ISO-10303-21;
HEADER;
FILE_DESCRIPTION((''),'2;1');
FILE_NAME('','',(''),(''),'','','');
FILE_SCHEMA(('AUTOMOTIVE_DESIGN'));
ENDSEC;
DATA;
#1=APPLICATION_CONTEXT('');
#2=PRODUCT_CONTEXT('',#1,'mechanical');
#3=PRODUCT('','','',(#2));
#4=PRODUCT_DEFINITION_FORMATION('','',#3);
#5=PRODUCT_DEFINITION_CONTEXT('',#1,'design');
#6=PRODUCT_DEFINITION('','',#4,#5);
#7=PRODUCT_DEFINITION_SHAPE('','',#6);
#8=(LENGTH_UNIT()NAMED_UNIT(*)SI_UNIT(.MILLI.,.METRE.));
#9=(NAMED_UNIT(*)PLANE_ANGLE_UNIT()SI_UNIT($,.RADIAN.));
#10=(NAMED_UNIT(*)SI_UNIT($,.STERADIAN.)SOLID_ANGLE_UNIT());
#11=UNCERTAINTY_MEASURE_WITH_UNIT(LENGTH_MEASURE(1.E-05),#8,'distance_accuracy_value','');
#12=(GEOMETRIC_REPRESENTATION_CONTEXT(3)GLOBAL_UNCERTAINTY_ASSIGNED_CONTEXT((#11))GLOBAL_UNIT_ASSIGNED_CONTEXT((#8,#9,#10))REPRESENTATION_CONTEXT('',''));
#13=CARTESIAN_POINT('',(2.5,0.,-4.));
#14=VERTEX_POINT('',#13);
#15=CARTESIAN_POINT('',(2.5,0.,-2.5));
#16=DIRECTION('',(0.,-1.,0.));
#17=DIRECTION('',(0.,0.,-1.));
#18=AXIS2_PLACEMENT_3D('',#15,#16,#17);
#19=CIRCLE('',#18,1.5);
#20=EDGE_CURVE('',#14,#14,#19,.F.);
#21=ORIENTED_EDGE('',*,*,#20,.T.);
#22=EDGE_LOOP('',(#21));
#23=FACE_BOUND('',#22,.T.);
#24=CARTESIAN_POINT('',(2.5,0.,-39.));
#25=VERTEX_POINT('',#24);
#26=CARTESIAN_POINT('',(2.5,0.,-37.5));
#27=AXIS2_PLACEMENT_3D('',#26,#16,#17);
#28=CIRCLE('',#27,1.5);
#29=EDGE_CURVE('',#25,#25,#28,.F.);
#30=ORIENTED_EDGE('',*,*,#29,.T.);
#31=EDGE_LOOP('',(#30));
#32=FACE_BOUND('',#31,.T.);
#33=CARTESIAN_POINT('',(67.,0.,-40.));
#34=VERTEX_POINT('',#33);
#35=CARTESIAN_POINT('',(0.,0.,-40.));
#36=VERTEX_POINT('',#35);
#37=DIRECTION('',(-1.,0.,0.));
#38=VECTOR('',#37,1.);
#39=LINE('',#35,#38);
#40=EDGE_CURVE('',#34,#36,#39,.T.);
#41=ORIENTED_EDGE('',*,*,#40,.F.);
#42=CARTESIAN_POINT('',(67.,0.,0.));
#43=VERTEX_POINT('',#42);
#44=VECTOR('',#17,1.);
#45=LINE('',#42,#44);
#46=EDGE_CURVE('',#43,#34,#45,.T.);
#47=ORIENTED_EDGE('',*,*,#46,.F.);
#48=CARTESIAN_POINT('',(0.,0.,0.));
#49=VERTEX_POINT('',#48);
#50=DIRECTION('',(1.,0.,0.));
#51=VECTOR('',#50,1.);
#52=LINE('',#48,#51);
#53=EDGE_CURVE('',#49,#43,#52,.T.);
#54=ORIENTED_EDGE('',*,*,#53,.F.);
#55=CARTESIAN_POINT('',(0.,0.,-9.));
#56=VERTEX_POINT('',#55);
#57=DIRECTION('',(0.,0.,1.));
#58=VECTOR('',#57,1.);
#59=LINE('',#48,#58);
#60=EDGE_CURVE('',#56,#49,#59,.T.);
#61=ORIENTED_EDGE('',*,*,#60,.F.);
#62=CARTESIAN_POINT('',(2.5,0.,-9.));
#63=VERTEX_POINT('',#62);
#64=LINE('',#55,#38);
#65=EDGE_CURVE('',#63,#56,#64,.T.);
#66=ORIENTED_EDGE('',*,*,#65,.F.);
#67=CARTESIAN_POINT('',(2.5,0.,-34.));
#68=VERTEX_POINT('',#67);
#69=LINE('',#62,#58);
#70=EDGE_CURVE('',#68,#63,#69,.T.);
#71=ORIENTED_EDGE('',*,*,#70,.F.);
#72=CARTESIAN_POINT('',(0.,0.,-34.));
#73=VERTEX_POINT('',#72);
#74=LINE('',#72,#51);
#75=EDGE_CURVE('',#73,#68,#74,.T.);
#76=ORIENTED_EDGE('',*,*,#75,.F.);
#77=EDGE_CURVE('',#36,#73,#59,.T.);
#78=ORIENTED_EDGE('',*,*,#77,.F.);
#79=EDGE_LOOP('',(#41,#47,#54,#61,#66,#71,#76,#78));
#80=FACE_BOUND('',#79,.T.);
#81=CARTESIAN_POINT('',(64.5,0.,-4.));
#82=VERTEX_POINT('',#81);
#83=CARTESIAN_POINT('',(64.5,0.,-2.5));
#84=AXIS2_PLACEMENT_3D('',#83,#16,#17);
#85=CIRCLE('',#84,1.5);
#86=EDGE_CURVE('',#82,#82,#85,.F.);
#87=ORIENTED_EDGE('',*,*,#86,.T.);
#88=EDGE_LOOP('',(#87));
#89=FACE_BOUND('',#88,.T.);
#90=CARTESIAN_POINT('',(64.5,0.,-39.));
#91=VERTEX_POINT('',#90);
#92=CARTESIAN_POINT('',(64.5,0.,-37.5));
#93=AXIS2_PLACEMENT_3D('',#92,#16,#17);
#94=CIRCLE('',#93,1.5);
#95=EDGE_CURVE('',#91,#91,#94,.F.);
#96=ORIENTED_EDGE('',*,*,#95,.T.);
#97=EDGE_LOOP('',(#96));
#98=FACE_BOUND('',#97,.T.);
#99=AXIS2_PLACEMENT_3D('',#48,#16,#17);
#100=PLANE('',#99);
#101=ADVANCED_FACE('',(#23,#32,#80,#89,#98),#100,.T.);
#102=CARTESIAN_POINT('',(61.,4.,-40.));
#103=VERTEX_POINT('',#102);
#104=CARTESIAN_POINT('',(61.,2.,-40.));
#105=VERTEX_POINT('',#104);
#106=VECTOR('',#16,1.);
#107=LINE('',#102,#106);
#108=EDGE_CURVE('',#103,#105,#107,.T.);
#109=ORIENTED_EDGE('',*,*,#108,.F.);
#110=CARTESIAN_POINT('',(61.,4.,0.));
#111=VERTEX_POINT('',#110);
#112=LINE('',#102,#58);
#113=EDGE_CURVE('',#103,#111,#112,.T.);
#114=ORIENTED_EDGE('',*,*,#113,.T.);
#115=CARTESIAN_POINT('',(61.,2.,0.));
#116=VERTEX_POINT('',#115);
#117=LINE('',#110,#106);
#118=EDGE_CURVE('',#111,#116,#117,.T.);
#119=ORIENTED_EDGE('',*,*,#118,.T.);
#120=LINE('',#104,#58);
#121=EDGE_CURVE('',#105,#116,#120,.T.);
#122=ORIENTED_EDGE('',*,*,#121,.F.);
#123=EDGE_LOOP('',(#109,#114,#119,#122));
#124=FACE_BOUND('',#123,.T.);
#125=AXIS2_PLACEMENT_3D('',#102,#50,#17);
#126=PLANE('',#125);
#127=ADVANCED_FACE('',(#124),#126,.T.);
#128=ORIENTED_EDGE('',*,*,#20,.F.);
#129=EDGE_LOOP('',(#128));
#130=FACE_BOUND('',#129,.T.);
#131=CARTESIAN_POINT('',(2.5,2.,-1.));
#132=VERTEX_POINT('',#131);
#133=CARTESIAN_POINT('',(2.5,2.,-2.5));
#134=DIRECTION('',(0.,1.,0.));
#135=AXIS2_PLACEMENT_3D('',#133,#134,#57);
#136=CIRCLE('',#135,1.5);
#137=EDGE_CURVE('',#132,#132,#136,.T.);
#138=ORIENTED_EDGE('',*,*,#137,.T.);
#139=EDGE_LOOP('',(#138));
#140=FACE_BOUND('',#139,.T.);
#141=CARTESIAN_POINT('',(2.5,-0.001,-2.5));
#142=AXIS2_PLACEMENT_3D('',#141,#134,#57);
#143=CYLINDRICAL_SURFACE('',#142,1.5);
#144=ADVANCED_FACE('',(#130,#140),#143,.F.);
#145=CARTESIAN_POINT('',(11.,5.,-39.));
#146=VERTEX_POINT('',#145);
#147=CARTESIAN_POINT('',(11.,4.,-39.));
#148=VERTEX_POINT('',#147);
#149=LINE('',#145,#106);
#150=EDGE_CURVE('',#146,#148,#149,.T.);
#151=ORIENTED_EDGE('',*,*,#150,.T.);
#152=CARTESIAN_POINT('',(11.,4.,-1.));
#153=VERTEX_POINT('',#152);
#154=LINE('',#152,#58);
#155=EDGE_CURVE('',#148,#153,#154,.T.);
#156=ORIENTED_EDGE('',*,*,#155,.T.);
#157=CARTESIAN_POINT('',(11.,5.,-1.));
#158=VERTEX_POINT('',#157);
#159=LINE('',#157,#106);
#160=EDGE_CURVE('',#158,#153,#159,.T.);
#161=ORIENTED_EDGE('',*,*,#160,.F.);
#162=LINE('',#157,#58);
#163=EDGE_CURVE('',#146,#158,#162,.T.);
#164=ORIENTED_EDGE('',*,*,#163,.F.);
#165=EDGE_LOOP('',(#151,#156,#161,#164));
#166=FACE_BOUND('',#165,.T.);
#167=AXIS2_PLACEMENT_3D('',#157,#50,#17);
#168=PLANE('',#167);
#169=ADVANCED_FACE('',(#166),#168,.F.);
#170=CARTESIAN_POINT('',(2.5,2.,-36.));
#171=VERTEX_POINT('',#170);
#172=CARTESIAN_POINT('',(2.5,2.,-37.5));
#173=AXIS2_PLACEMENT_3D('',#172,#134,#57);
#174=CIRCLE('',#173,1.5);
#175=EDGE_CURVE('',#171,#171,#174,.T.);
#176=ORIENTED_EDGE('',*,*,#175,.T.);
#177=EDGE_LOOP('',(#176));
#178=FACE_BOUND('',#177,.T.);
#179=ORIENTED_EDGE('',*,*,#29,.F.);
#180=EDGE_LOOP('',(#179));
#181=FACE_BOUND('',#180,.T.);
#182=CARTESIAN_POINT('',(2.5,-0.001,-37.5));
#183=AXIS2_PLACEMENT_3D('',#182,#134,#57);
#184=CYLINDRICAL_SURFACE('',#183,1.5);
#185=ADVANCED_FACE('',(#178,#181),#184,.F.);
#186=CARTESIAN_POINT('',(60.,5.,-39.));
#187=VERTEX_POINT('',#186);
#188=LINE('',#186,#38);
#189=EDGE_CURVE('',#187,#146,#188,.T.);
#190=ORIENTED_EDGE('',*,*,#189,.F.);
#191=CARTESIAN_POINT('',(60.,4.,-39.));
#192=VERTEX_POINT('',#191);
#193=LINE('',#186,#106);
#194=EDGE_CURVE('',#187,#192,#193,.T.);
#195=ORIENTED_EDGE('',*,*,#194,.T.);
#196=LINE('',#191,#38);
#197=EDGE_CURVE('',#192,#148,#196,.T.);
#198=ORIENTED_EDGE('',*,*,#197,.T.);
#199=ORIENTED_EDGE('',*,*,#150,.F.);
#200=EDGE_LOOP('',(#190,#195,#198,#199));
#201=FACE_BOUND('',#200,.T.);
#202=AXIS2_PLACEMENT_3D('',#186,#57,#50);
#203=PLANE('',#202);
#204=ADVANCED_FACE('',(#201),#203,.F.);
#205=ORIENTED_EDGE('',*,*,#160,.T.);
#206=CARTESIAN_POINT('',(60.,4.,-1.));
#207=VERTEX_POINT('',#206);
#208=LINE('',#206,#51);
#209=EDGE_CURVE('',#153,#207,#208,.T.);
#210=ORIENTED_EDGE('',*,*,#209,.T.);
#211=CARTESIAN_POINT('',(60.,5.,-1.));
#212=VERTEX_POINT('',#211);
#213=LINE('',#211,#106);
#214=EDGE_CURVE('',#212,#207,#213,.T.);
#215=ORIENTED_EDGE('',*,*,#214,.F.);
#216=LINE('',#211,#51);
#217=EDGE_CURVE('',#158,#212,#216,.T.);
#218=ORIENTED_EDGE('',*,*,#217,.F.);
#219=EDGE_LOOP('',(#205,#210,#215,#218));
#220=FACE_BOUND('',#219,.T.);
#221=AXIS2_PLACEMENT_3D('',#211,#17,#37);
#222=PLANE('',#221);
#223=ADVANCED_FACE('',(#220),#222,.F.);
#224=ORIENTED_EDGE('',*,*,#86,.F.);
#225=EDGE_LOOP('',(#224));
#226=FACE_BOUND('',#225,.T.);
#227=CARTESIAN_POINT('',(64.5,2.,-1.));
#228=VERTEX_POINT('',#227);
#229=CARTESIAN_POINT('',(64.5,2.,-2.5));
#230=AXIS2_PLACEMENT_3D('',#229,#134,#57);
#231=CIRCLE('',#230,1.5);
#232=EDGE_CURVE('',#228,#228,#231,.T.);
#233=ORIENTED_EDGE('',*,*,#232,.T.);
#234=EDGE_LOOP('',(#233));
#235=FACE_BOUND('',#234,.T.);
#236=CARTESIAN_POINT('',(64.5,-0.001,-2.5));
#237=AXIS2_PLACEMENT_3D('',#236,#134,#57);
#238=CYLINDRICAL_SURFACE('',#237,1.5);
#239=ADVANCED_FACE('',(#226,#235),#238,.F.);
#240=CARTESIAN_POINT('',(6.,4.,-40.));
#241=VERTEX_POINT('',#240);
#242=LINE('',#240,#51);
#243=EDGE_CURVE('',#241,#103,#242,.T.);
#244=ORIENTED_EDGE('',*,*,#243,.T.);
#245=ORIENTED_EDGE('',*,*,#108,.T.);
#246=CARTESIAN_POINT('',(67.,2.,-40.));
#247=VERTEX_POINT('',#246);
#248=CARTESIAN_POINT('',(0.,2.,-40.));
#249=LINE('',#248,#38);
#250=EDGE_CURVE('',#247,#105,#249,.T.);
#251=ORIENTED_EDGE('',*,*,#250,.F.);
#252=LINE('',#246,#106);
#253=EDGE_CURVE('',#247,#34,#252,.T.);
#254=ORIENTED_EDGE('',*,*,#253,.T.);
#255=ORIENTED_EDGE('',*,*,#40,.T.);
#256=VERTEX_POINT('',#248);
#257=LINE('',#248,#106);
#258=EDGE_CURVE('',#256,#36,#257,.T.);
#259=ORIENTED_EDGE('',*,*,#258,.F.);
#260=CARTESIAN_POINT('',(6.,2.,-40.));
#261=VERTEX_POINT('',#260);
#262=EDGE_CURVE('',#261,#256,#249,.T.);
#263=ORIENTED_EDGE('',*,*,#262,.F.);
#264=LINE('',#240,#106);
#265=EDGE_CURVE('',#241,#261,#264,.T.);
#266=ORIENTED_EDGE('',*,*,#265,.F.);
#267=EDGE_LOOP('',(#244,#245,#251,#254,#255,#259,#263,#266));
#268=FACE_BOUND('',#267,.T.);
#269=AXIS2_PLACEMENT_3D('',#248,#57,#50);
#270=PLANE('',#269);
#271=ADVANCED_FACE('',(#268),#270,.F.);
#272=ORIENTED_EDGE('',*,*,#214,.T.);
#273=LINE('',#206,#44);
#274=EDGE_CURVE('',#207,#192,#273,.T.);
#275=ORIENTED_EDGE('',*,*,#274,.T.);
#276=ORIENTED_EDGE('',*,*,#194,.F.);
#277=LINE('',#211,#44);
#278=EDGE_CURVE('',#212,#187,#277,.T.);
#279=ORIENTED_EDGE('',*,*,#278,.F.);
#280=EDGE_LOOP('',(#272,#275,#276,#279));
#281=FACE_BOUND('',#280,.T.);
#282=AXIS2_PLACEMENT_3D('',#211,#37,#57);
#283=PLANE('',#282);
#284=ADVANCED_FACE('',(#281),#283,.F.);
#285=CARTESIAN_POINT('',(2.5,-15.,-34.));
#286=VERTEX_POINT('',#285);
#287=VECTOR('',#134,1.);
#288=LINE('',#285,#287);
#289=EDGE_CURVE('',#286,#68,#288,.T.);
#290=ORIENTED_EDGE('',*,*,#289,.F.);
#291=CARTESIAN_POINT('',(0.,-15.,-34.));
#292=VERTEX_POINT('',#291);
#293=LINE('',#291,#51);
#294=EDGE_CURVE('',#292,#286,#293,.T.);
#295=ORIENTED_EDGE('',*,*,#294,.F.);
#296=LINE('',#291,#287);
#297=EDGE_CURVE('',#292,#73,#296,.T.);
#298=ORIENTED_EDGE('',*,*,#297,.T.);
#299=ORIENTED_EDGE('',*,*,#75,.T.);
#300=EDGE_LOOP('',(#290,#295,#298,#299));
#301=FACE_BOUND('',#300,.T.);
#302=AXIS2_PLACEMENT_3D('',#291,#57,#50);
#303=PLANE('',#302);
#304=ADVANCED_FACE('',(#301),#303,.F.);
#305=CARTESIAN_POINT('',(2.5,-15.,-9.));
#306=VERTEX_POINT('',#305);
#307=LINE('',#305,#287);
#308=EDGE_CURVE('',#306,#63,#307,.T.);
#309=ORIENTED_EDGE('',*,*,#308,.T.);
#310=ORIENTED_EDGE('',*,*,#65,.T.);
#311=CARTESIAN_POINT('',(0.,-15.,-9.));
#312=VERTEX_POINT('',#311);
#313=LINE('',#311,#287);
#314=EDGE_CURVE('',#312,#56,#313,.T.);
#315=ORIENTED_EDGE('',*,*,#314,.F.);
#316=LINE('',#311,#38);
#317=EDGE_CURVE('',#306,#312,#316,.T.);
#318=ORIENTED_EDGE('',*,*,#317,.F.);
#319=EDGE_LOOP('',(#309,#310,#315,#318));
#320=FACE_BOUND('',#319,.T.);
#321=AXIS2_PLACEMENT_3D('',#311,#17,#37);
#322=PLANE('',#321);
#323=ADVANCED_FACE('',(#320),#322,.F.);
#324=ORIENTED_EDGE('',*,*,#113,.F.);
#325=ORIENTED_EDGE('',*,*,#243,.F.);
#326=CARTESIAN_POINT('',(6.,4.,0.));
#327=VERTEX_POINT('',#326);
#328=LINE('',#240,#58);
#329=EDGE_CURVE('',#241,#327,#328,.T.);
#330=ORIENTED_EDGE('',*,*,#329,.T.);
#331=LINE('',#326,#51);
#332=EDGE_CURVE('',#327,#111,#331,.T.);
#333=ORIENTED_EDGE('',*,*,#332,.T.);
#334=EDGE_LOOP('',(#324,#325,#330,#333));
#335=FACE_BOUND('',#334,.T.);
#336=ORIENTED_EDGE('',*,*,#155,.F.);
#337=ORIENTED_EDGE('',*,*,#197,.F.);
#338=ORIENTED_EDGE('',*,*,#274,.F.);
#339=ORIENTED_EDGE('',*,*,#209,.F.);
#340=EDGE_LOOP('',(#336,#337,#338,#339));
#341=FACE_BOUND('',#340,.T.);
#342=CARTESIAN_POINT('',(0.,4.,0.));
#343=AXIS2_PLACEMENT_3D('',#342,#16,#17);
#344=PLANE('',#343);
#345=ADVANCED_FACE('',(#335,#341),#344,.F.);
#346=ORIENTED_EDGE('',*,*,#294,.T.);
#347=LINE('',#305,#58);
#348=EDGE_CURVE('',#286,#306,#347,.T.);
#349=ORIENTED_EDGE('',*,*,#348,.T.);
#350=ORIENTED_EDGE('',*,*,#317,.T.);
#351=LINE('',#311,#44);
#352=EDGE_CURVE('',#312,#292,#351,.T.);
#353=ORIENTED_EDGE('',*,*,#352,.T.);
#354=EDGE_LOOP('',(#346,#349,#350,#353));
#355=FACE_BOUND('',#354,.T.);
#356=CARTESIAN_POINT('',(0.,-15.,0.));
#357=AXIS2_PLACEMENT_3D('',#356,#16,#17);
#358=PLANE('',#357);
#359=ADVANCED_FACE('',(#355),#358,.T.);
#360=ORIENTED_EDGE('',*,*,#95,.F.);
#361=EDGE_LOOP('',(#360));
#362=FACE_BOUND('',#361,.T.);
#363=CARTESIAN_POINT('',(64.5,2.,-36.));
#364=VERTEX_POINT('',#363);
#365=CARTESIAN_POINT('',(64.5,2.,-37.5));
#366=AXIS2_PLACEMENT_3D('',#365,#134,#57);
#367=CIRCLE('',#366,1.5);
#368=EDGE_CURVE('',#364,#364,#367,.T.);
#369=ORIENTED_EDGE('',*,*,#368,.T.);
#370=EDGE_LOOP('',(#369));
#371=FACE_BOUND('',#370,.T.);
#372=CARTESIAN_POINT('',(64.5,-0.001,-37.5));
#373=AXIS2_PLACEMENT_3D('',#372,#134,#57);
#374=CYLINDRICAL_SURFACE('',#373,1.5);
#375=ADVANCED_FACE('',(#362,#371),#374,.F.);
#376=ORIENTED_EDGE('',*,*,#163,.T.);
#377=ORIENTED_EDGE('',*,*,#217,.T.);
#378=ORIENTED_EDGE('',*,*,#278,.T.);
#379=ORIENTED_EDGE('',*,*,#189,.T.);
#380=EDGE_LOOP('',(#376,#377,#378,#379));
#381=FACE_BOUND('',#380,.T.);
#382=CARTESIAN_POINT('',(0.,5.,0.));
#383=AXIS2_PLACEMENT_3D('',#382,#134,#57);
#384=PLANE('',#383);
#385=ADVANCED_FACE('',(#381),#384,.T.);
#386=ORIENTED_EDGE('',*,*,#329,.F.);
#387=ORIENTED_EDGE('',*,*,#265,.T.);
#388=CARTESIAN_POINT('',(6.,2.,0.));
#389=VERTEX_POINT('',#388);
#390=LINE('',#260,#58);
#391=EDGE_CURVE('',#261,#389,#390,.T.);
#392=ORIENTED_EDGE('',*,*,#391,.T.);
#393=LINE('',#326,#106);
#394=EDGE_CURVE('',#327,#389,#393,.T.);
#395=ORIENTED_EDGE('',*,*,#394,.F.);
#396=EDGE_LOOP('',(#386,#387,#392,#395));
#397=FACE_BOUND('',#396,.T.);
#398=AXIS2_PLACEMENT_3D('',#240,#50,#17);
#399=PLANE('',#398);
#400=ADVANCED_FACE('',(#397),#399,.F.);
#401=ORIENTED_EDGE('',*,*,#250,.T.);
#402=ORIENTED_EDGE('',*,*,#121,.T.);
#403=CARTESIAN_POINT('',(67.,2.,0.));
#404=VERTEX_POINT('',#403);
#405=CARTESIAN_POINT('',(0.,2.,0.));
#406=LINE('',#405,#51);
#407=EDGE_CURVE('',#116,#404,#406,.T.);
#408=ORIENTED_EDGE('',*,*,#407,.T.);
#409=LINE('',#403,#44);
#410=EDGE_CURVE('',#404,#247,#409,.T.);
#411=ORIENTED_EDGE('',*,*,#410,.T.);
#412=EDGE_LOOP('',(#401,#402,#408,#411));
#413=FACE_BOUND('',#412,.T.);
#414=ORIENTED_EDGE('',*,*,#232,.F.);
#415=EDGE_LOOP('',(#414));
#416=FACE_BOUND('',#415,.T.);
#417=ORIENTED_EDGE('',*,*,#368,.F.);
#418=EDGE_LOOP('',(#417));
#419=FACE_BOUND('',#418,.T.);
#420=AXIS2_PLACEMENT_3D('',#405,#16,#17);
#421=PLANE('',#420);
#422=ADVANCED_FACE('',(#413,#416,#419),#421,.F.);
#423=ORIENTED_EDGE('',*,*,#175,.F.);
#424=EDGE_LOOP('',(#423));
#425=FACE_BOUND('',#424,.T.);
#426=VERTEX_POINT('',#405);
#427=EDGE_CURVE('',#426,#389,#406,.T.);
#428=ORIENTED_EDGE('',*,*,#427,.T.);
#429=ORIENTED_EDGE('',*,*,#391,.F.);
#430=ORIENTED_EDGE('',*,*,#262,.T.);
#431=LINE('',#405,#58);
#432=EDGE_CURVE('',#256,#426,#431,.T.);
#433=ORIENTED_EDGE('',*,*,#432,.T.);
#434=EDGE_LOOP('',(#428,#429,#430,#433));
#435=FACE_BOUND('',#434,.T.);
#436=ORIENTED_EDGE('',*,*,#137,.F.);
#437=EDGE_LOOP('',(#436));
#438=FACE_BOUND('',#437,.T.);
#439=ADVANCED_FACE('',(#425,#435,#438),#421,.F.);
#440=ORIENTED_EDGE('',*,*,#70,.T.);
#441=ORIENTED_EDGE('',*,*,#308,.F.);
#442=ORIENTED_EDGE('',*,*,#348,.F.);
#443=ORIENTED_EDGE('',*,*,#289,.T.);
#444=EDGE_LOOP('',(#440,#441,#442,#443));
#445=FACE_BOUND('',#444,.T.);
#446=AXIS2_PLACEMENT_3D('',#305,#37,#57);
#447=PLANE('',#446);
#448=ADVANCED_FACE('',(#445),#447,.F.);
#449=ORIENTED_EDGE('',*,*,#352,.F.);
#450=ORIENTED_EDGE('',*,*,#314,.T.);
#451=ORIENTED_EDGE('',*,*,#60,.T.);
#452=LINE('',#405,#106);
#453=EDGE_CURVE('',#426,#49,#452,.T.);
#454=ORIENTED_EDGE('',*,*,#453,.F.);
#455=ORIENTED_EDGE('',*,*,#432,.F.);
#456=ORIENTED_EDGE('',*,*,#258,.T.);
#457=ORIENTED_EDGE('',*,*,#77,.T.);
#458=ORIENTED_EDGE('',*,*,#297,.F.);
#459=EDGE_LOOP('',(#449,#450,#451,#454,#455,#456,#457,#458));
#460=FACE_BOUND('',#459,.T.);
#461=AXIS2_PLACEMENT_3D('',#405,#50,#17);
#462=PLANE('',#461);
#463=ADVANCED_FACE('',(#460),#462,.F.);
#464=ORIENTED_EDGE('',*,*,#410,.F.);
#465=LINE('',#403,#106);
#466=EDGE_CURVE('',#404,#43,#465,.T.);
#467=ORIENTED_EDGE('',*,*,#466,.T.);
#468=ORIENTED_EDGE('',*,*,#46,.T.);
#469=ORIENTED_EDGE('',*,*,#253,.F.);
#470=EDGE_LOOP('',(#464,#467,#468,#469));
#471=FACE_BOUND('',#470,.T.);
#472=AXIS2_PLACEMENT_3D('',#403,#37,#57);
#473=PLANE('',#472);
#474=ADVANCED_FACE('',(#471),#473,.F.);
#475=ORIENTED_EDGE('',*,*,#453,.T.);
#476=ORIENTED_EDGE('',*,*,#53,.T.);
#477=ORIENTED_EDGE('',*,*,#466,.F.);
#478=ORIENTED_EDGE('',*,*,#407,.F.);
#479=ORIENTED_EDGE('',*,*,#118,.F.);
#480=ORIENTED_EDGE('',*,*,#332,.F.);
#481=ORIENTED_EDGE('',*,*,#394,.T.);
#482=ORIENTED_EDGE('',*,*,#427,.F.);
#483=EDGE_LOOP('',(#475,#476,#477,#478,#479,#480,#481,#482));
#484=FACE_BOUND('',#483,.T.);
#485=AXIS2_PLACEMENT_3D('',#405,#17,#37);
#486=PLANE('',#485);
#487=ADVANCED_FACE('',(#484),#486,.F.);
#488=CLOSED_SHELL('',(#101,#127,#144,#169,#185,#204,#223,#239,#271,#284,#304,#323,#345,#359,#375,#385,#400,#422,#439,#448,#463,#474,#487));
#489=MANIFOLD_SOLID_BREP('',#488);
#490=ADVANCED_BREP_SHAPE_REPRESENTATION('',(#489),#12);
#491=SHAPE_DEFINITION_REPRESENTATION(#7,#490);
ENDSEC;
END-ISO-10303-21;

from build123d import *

# Parameters (mm, degrees)
SKETCH1_W           = 67
SKETCH1_H           = 40
BOSS_EXTRUDE1_DEPTH = 2
SKETCH2_W           = 55
SKETCH2_H           = 40
BOSS_EXTRUDE2_DEPTH = 2
SKETCH3_W           = 49
SKETCH3_H           = 38
BOSS_EXTRUDE4_DEPTH = 1
CUT_EXTRUDE1_REACH  = 80.09
SKETCH4_R           = 1.5
CUT_EXTRUDE2_REACH  = 80.09
SKETCH5_R           = 1.5
CUT_EXTRUDE3_REACH  = 80.09
SKETCH6_R           = 1.5
CUT_EXTRUDE4_REACH  = 80.09
SKETCH7_R           = 1.5
SKETCH9_W           = 2.5
SKETCH9_H           = 25
BOSS_EXTRUDE7_DEPTH = 15


with BuildPart() as part:
    # Sketch1 → Boss-Extrude1 (new body)
    with BuildSketch(Plane(origin=(0, 0, 0), x_dir=(1, 0, 0), z_dir=(0, 1, 0))):
        with Locations((33.5, 20)):
            Rectangle(SKETCH1_W, SKETCH1_H)
    extrude(amount=BOSS_EXTRUDE1_DEPTH)

    # Sketch2 → Boss-Extrude2 (add)
    with BuildSketch(Plane(origin=(0, 2, 0), x_dir=(1, 0, 0), z_dir=(0, 1, 0))):
        with Locations((33.5, 20)):
            Rectangle(SKETCH2_W, SKETCH2_H)
    extrude(amount=BOSS_EXTRUDE2_DEPTH)

    # Sketch3 → Boss-Extrude4 (add)
    with BuildSketch(Plane(origin=(0, 4, 0), x_dir=(1, 0, 0), z_dir=(0, 1, 0))):
        with Locations((35.5, 20)):
            Rectangle(SKETCH3_W, SKETCH3_H)
    extrude(amount=BOSS_EXTRUDE4_DEPTH)

    # Sketch4 → Cut-Extrude1 (cut, up to next)
    with BuildSketch(Plane(origin=(0, 2, 0), x_dir=(1, 0, 0), z_dir=(0, 1, 0)), mode=Mode.PRIVATE) as cut_extrude1_sk1:
        with Locations(Location((2.5, 37.5, 0), (0, 0, 270))):
            Circle(SKETCH4_R)
    cut_extrude1_tool1 = extrude(cut_extrude1_sk1.sketch, amount=-CUT_EXTRUDE1_REACH, mode=Mode.PRIVATE) & part.part
    add(cut_extrude1_tool1.solids().sort_by_distance((2.5, 2, -37.5))[0], mode=Mode.SUBTRACT)

    # Sketch5 → Cut-Extrude2 (cut, up to next)
    with BuildSketch(Plane(origin=(0, 2, 0), x_dir=(1, 0, 0), z_dir=(0, 1, 0)), mode=Mode.PRIVATE) as cut_extrude2_sk1:
        with Locations(Location((2.5, 2.5, 0), (0, 0, 270))):
            Circle(SKETCH5_R)
    cut_extrude2_tool1 = extrude(cut_extrude2_sk1.sketch, amount=-CUT_EXTRUDE2_REACH, mode=Mode.PRIVATE) & part.part
    add(cut_extrude2_tool1.solids().sort_by_distance((2.5, 2, -2.5))[0], mode=Mode.SUBTRACT)

    # Sketch6 → Cut-Extrude3 (cut, up to next)
    with BuildSketch(Plane(origin=(0, 2, 0), x_dir=(1, 0, 0), z_dir=(0, 1, 0)), mode=Mode.PRIVATE) as cut_extrude3_sk1:
        with Locations(Location((64.5, 37.5, 0), (0, 0, 270))):
            Circle(SKETCH6_R)
    cut_extrude3_tool1 = extrude(cut_extrude3_sk1.sketch, amount=-CUT_EXTRUDE3_REACH, mode=Mode.PRIVATE) & part.part
    add(cut_extrude3_tool1.solids().sort_by_distance((64.5, 2, -37.5))[0], mode=Mode.SUBTRACT)

    # Sketch7 → Cut-Extrude4 (cut, up to next)
    with BuildSketch(Plane(origin=(0, 2, 0), x_dir=(1, 0, 0), z_dir=(0, 1, 0)), mode=Mode.PRIVATE) as cut_extrude4_sk1:
        with Locations(Location((64.5, 2.5, 0), (0, 0, 270))):
            Circle(SKETCH7_R)
    cut_extrude4_tool1 = extrude(cut_extrude4_sk1.sketch, amount=-CUT_EXTRUDE4_REACH, mode=Mode.PRIVATE) & part.part
    add(cut_extrude4_tool1.solids().sort_by_distance((64.5, 2, -2.5))[0], mode=Mode.SUBTRACT)

    # Sketch9 → Boss-Extrude7 (add)
    with BuildSketch(Plane(origin=(0, 0, 0), x_dir=(-1, 0, 0), z_dir=(0, -1, 0))):
        with Locations((-1.25, 21.5)):
            Rectangle(SKETCH9_W, SKETCH9_H)
    extrude(amount=BOSS_EXTRUDE7_DEPTH)


solid = part.part
